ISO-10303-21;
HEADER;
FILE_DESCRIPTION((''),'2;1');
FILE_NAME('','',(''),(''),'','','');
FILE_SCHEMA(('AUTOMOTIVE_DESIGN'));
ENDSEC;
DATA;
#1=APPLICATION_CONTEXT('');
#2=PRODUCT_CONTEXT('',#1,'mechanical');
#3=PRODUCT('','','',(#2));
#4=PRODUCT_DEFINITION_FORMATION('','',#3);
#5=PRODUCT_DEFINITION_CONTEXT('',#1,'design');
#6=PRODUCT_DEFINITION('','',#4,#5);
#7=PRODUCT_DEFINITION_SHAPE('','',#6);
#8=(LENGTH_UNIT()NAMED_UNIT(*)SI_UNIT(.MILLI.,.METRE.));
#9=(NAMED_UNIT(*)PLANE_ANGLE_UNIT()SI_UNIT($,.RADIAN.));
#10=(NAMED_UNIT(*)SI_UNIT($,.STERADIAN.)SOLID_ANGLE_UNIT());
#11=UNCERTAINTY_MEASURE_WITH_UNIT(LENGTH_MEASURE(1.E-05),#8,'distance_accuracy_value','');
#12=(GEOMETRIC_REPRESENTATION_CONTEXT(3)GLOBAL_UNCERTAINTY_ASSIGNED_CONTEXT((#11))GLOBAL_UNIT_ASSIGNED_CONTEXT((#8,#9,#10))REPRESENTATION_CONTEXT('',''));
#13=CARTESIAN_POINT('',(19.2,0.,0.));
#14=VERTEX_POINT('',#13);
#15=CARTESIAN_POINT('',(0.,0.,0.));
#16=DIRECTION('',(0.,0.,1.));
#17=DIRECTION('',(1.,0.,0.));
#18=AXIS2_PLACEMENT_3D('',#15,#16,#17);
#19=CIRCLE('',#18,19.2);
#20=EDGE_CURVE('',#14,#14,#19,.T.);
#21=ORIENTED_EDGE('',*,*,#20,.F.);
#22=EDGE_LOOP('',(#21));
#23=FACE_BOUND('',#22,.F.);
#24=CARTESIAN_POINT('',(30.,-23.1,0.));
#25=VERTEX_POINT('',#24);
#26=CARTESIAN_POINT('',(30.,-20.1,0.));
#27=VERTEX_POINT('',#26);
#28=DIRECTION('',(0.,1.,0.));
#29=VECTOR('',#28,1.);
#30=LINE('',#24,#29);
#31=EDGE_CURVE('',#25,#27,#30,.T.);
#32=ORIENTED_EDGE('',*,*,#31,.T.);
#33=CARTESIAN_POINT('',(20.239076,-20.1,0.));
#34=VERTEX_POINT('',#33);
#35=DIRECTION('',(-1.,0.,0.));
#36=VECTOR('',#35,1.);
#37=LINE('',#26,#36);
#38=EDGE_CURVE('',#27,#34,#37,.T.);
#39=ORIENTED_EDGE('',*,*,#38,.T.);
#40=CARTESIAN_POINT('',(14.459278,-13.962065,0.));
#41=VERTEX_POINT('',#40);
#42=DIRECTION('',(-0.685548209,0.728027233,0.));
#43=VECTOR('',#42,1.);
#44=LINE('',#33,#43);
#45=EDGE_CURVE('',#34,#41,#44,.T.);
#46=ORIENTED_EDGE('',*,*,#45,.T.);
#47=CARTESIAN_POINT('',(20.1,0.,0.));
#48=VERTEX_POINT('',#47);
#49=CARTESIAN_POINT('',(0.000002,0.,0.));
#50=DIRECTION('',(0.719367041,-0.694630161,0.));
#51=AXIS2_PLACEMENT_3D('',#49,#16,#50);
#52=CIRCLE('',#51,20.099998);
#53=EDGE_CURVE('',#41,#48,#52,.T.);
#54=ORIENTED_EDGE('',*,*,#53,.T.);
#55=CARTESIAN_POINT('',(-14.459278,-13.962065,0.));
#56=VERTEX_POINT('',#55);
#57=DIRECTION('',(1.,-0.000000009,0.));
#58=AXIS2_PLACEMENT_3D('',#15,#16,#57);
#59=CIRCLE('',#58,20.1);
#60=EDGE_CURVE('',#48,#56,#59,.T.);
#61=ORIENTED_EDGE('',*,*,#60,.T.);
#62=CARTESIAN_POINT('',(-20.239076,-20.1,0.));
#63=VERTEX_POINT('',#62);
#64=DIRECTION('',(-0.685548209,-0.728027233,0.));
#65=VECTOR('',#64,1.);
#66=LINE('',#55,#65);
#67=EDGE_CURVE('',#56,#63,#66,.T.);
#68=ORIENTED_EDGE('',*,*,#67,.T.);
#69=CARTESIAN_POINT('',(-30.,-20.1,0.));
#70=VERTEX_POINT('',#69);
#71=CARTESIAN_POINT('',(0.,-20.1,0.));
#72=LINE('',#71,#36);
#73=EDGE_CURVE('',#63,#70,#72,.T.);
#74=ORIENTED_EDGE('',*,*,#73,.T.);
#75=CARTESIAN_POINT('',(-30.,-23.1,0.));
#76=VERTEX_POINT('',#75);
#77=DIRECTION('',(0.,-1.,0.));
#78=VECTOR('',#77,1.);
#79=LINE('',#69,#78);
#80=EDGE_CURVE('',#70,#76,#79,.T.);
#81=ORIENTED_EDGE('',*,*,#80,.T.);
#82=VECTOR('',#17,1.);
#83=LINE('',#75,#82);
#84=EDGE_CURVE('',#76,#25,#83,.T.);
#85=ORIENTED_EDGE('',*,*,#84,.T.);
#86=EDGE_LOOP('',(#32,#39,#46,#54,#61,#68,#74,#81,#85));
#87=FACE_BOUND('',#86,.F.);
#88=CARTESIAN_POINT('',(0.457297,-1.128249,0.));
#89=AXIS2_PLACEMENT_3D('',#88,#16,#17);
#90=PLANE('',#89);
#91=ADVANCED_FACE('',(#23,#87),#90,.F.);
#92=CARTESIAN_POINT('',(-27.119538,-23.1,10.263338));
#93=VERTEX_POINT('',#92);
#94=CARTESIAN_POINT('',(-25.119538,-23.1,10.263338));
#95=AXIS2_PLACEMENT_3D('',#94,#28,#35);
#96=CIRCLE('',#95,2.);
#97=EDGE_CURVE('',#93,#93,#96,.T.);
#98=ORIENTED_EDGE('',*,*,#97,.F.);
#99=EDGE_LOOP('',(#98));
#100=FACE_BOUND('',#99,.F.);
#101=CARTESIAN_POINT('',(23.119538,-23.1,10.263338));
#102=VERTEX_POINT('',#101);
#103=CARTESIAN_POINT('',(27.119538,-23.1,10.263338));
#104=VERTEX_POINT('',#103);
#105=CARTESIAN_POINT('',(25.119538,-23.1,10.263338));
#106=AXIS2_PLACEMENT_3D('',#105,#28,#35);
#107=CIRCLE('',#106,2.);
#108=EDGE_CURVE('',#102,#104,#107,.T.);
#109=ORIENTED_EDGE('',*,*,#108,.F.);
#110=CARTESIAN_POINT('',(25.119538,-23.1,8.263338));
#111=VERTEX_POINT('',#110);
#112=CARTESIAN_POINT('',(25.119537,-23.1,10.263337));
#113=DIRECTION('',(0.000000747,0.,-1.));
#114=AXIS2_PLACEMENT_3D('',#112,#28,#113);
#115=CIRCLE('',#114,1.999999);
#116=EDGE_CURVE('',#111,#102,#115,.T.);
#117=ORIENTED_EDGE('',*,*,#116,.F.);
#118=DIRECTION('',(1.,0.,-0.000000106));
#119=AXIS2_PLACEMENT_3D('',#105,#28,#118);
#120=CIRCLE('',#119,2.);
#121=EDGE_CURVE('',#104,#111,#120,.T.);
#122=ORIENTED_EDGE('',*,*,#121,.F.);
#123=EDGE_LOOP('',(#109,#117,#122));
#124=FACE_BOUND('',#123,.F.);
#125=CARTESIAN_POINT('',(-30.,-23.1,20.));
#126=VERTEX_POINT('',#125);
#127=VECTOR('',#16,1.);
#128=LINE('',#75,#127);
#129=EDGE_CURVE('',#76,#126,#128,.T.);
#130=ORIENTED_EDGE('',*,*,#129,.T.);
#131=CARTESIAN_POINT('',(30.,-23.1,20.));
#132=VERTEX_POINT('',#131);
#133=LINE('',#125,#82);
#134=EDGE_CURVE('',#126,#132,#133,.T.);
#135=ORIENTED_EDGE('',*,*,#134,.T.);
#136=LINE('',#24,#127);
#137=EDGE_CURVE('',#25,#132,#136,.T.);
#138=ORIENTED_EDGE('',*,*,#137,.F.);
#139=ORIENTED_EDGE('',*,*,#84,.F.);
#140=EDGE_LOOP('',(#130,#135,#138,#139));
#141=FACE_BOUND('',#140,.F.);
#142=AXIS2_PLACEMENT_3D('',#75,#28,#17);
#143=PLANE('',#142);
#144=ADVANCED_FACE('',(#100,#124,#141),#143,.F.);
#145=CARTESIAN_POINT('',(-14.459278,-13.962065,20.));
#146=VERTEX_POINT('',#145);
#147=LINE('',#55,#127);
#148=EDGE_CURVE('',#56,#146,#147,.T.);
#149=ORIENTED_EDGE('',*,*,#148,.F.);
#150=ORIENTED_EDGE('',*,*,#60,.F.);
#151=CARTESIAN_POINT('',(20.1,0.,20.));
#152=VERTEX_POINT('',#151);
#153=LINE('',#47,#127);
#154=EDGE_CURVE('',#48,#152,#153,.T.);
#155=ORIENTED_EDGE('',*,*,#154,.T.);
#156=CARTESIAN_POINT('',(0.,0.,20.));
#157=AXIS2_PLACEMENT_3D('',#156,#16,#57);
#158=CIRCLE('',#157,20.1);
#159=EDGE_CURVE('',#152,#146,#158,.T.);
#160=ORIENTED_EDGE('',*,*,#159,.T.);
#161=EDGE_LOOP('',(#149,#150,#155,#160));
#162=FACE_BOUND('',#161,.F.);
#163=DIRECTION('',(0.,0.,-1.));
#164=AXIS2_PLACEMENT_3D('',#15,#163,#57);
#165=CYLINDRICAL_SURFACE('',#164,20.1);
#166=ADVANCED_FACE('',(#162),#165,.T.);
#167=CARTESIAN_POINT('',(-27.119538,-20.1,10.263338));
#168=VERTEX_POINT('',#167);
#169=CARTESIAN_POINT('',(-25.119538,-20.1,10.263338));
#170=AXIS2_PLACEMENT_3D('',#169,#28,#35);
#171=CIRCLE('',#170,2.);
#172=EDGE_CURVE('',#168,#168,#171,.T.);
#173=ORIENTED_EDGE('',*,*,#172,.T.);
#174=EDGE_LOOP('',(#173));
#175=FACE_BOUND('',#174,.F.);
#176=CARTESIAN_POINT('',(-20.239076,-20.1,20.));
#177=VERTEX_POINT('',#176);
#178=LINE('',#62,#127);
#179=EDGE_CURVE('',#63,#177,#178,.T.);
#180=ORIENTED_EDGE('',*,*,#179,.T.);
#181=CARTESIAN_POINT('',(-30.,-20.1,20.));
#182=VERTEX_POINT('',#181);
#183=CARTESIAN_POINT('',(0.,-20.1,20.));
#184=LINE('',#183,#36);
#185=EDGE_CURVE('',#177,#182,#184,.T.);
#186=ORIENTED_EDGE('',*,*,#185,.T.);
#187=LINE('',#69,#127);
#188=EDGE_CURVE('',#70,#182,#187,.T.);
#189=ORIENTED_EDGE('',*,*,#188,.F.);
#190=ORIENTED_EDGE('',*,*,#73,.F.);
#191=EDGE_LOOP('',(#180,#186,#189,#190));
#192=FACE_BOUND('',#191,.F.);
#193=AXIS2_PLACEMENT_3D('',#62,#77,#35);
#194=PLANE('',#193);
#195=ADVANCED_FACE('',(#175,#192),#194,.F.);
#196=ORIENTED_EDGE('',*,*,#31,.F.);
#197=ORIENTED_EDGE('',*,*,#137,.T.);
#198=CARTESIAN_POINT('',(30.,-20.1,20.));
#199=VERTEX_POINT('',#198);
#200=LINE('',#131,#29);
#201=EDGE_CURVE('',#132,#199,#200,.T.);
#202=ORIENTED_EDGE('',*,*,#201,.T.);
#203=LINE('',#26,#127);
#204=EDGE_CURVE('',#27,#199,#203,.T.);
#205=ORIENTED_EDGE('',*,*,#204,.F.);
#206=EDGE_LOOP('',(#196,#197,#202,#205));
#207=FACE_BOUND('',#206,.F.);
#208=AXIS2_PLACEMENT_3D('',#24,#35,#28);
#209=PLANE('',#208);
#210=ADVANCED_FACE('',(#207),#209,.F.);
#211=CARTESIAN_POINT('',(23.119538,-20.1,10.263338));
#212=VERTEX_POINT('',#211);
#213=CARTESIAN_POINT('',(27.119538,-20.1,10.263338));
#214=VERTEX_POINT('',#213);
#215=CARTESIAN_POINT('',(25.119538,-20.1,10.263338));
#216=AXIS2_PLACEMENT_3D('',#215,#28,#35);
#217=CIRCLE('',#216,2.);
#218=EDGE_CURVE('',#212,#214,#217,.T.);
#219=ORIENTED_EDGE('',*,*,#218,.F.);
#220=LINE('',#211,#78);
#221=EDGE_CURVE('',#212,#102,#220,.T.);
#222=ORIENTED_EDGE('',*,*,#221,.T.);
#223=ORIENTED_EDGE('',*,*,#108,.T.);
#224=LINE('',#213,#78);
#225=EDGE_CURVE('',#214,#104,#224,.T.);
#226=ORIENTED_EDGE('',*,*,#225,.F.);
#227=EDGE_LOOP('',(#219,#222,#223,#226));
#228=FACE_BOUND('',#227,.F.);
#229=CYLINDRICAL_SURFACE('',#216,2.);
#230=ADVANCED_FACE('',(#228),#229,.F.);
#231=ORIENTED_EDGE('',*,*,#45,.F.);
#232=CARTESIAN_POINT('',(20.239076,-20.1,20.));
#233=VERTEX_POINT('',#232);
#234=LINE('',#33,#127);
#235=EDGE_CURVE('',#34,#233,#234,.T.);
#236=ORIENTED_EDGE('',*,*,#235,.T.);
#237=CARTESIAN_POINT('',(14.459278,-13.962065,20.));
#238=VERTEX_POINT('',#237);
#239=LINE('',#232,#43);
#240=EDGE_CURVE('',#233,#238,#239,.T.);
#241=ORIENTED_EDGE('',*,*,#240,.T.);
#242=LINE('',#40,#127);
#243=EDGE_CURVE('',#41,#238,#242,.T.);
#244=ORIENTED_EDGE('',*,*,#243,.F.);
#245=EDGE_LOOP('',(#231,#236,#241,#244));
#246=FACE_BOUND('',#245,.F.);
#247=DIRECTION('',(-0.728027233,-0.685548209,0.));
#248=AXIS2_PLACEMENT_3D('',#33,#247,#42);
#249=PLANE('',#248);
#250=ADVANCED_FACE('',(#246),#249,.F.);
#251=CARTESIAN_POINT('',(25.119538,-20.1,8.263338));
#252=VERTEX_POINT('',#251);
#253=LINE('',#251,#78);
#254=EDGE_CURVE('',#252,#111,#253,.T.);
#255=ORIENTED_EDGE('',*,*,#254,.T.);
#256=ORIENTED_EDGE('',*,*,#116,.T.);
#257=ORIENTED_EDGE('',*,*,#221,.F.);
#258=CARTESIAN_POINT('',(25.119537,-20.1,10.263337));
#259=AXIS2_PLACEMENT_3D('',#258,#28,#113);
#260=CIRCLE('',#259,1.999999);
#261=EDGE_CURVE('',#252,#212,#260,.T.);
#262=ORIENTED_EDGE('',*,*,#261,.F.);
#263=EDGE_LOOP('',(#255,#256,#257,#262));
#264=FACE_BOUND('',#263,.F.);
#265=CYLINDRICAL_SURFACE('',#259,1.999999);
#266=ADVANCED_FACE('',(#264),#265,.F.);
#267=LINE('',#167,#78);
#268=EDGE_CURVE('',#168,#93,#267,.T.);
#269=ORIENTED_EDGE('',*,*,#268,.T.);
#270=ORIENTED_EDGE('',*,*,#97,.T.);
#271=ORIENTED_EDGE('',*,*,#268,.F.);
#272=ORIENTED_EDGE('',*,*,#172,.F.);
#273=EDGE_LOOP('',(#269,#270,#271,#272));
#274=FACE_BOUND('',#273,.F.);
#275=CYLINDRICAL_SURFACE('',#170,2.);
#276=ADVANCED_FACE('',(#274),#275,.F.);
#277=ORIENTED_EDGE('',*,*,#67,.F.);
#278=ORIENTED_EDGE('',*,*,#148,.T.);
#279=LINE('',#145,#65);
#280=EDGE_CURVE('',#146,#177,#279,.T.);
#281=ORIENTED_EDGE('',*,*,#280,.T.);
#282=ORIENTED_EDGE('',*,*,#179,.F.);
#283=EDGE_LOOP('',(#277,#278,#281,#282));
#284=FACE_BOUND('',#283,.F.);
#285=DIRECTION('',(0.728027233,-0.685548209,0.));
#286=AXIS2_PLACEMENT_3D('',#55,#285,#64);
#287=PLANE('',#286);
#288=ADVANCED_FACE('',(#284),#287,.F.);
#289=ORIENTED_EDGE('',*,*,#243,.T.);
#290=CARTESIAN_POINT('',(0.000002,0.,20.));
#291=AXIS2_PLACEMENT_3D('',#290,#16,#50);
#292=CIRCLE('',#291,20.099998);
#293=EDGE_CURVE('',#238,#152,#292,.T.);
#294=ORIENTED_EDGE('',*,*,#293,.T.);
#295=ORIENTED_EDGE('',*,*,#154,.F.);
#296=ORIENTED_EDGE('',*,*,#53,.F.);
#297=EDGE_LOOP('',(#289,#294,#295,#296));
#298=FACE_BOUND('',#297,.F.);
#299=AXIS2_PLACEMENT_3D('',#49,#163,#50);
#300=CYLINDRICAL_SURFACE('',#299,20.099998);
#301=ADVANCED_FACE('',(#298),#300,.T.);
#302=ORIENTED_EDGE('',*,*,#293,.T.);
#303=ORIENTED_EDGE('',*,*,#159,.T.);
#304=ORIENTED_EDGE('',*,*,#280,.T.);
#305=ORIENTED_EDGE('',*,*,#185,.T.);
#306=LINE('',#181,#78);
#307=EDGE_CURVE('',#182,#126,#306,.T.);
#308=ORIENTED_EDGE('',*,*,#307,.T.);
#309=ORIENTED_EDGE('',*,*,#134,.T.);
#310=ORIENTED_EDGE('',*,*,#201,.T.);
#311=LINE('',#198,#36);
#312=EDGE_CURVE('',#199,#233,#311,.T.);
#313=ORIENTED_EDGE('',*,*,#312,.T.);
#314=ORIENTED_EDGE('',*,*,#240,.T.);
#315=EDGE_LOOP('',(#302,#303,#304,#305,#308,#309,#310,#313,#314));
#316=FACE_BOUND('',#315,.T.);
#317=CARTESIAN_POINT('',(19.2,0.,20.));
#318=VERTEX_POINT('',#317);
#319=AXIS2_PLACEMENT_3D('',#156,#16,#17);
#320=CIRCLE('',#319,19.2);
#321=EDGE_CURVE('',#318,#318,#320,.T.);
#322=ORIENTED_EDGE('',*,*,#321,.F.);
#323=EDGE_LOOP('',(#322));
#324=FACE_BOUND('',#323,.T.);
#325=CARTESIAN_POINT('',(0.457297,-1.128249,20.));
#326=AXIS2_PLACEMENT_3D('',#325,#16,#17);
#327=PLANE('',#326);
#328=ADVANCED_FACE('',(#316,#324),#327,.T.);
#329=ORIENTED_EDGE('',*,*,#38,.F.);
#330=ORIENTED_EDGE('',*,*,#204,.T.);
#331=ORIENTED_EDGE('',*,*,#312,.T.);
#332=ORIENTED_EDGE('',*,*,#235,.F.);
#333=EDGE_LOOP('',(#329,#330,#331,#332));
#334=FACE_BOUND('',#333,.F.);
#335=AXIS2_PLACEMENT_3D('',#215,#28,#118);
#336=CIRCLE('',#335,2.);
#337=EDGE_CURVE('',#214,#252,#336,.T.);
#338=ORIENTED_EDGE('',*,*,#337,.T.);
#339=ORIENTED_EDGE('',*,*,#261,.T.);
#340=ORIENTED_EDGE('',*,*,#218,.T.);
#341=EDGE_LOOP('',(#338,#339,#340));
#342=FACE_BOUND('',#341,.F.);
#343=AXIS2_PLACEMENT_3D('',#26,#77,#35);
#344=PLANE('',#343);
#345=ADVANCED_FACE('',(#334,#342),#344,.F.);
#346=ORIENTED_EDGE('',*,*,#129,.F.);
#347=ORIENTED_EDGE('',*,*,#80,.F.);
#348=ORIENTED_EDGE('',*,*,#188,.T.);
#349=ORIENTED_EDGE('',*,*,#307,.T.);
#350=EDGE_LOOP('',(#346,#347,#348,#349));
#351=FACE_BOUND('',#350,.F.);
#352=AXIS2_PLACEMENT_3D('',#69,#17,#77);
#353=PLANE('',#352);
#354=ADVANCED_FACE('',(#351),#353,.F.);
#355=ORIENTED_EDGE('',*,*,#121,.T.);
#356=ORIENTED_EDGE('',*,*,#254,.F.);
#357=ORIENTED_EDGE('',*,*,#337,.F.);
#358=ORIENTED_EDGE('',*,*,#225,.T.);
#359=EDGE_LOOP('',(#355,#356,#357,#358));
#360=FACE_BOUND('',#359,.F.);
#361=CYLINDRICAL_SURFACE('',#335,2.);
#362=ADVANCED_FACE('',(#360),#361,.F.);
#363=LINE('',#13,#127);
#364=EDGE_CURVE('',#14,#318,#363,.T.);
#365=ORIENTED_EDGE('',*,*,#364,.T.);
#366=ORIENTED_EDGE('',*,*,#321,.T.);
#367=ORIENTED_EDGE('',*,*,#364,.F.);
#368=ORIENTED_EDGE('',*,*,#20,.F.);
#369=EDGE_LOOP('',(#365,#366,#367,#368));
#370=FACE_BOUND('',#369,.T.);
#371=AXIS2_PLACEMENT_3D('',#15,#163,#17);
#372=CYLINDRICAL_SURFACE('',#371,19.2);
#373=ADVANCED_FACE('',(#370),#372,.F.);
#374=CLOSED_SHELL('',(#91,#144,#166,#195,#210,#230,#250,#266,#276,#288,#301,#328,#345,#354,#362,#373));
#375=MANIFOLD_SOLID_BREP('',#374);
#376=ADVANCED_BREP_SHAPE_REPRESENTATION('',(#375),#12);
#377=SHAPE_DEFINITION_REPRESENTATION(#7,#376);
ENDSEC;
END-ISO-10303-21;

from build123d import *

# Parameters (mm, degrees)
F0_R     = 19.2
F1_DEPTH = 20
F2_R     = 2
F3_DEPTH = 25


with BuildPart() as f1:
    # F0 (on Top) → F1 (new body)
    with BuildSketch(Plane.XY):
        with BuildLine():
            ThreePointArc((14.459278, -13.962065), (18.636543, -7.529227), (20.1, 0))
            ThreePointArc((20.1, 0), (-7.529227, 18.636543), (-14.459278, -13.962065))
            ThreePointArc((-14.459278, -13.962065), (-7.854059, -18.501993), (0, -20.1))
            ThreePointArc((0, -20.1), (7.854059, -18.501993), (14.459278, -13.962065))
        make_face()
        Circle(F0_R, mode=Mode.SUBTRACT)
        Polygon((0, -23.1), (0, -20.1), (-20.239076, -20.1), (-30, -20.1), (-30, -23.1), align=None)
        with BuildLine():
            Line((20.239076, -20.1), (14.459278, -13.962065))
            ThreePointArc((14.459278, -13.962065), (7.854059, -18.501993), (0, -20.1))
            Line((0, -20.1), (20.239076, -20.1))
        make_face()
        with BuildLine():
            ThreePointArc((0, -20.1), (-7.854059, -18.501993), (-14.459278, -13.962065))
            Line((-14.459278, -13.962065), (-20.239076, -20.1))
            Line((-20.239076, -20.1), (0, -20.1))
        make_face()
        Polygon((20.239076, -20.1), (0, -20.1), (0, -23.1), (30, -23.1), (30, -20.1), align=None)
    extrude(amount=F1_DEPTH)

    # F2 (on face) → F3 (cut)
    with BuildSketch(Plane(origin=(0, -20.1, 0), x_dir=(-1, 0, 0), z_dir=(0, 1, 0))):
        with BuildLine():
            Line((-25.119538, 10.263338), (-25.119538, 8.263338))
            ThreePointArc((-25.119538, 8.263338), (-23.705324, 8.849124), (-23.119538, 10.263338))
            ThreePointArc((-23.119538, 10.263338), (-25.119538, 12.263338), (-27.119538, 10.263338))
            Line((-27.119538, 10.263338), (-25.119538, 10.263338))
        make_face()
        with BuildLine():
            ThreePointArc((-27.119538, 10.263338), (-26.533751, 8.849124), (-25.119538, 8.263338))
            Line((-25.119538, 8.263338), (-25.119538, 10.263338))
            Line((-25.119538, 10.263338), (-27.119538, 10.263338))
        make_face()
        with Locations((25.119538, 10.263338)):
            Circle(F2_R)
    extrude(amount=-F3_DEPTH, mode=Mode.SUBTRACT)


solid = f1.part
